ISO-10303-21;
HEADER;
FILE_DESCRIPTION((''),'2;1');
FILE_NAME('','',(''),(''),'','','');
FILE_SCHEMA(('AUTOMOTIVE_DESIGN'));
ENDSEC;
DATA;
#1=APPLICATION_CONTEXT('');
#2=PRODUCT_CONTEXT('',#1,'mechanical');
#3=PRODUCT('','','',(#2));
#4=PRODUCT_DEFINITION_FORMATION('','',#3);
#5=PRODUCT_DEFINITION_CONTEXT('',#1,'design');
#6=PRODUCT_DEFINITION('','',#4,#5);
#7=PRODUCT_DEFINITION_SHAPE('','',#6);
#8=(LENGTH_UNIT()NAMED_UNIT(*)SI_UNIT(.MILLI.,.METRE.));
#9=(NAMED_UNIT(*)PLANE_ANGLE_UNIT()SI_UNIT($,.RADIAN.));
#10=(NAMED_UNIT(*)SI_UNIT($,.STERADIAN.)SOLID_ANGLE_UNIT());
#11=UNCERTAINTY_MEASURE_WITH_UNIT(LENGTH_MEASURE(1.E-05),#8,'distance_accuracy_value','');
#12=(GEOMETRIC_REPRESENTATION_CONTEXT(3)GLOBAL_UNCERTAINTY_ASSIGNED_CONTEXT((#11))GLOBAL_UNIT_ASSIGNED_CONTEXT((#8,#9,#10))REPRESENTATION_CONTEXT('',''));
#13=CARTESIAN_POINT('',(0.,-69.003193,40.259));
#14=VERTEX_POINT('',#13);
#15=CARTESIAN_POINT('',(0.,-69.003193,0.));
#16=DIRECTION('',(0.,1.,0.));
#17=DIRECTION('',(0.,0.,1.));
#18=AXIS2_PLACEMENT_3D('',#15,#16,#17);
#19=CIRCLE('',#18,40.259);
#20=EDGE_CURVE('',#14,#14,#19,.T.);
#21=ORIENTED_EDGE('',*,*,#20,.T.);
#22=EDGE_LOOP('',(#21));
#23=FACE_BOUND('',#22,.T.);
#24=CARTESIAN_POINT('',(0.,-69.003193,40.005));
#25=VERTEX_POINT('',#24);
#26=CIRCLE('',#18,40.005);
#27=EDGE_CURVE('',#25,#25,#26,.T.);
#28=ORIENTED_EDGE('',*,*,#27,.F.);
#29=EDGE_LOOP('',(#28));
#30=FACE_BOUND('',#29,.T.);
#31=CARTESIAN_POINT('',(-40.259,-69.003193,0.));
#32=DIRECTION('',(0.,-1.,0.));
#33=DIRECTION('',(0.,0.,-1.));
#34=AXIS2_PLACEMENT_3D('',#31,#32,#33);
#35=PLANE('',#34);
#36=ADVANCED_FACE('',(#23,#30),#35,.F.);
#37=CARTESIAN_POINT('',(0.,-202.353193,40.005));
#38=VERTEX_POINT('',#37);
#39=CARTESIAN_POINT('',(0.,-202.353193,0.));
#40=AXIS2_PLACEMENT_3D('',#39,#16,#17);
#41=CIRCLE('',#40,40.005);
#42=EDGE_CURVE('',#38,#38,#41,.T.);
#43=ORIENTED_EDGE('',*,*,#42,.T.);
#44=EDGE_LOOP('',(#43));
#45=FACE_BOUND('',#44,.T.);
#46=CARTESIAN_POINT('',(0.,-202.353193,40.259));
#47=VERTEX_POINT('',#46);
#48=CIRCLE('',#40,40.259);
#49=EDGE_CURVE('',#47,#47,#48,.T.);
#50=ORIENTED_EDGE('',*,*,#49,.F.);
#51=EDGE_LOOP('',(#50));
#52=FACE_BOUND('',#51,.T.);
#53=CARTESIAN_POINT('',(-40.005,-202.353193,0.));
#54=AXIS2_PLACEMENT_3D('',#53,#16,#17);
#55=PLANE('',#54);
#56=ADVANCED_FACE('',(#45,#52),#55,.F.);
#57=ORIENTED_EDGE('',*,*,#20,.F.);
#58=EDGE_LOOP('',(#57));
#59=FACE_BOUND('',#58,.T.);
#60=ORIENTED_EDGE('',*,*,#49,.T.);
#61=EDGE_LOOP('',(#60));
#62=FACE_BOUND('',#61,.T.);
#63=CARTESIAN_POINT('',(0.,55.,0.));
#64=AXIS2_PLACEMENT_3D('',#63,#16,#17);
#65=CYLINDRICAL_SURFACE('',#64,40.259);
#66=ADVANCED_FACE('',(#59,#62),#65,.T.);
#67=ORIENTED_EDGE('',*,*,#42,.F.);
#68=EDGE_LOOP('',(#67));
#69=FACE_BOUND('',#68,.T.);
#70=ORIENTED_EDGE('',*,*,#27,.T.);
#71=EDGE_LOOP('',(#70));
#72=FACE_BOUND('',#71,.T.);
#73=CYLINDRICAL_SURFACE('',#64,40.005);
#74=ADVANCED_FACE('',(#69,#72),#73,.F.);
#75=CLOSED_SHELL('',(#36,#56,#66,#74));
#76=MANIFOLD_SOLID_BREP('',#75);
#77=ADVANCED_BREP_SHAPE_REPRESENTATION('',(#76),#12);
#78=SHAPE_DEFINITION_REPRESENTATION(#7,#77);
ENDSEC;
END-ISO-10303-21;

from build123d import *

# Parameters (mm, degrees)
SKETCH1_W = 0.254
SKETCH1_H = 133.35


with BuildPart() as part:
    # Sketch1 → Revolve-Thin1 (revolve)
    with BuildSketch(Plane.XY):
        with Locations((-40.132, -135.67819341)):
            Rectangle(SKETCH1_W, SKETCH1_H)
    revolve(axis=Axis((0, 55, 0), (0, -1, 0)))


solid = part.part
